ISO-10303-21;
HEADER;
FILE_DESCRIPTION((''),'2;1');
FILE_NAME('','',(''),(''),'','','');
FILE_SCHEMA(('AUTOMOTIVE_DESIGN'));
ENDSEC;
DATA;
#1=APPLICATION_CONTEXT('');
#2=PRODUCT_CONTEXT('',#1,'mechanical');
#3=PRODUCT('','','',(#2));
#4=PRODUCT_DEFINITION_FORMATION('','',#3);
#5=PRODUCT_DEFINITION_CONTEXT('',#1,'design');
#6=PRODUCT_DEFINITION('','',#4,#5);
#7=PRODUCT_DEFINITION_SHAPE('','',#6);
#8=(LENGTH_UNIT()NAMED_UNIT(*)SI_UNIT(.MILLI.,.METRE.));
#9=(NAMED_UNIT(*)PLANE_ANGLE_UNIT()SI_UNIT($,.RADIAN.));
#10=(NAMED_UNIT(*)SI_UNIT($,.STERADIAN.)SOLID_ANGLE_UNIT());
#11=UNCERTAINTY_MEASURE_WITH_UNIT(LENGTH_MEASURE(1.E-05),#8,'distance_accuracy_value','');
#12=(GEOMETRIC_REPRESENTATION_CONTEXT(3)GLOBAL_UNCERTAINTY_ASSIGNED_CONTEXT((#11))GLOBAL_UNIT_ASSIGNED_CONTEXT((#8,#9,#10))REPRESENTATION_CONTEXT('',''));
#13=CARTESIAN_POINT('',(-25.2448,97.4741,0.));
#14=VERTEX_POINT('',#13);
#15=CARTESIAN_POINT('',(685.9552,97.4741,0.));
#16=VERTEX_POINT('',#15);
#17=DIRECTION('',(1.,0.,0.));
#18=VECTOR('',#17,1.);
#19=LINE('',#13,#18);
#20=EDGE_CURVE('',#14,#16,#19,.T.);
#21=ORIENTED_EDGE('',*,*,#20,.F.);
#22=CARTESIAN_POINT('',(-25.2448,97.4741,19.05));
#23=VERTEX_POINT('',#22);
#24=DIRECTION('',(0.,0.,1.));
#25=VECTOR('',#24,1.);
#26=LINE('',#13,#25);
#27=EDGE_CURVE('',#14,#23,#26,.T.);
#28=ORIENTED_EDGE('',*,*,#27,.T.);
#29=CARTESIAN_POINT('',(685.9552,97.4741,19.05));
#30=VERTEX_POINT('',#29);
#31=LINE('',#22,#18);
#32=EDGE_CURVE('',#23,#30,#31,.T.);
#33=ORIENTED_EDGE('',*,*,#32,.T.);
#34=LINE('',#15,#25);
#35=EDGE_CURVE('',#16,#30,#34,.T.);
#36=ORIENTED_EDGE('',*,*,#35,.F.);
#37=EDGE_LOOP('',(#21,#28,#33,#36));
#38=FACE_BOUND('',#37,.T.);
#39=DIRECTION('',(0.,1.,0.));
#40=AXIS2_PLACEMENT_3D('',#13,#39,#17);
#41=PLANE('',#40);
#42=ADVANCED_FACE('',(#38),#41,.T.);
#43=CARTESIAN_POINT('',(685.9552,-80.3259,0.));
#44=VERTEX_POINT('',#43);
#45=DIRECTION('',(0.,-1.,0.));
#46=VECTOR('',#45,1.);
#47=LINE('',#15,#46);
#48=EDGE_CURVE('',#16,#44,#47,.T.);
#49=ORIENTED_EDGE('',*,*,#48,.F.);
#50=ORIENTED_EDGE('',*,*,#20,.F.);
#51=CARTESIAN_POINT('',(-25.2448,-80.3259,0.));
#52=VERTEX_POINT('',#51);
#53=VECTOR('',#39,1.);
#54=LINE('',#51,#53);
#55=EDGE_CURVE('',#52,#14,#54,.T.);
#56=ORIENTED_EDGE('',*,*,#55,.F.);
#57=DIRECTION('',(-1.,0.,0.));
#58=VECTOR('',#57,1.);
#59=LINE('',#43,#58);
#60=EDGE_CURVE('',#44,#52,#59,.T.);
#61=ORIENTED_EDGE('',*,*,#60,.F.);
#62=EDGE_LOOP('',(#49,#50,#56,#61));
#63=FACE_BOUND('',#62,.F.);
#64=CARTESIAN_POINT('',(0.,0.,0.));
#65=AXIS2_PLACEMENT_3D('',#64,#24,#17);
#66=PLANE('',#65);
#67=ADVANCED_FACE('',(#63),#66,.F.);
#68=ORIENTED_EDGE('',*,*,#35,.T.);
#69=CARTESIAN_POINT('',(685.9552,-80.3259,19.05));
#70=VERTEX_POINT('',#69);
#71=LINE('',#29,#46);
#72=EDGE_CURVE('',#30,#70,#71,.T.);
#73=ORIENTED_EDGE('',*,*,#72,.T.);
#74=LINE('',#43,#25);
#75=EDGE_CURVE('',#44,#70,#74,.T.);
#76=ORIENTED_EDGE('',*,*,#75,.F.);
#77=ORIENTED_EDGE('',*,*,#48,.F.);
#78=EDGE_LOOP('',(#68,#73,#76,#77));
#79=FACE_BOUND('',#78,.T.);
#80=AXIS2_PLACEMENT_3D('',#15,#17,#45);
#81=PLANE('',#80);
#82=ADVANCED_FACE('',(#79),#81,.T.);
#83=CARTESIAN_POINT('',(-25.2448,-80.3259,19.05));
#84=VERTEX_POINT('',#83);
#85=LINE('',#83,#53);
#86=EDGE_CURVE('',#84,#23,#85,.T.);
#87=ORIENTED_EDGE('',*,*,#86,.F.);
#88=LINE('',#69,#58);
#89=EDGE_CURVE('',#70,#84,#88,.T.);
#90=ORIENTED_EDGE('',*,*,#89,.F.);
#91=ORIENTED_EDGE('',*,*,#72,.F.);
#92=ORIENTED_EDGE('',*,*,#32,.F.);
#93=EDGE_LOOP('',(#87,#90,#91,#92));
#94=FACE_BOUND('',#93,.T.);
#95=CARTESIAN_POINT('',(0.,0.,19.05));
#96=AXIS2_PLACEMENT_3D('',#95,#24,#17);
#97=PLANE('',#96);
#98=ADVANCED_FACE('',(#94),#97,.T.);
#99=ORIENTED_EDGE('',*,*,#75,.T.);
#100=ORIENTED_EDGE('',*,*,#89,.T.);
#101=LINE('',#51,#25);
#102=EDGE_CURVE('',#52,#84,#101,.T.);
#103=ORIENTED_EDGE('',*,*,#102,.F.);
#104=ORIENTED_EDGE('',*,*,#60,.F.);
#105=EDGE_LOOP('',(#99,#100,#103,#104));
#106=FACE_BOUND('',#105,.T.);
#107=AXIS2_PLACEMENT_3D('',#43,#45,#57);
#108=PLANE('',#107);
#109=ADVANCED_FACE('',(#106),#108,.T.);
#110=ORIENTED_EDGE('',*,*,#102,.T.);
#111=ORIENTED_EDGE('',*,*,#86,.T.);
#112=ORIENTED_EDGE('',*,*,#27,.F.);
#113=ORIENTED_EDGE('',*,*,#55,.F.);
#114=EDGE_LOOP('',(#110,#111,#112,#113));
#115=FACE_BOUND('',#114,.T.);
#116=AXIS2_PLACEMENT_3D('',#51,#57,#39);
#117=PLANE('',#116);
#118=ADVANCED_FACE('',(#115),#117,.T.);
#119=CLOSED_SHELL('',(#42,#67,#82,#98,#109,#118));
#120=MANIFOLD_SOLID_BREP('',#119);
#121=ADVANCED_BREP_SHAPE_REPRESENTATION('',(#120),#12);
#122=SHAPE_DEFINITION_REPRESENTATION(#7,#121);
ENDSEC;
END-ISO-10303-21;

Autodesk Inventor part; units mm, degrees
ref_plane "YZ Plane" through (0, 0, 0) normal (1, 0, 0) x (0, 1, 0)
ref_plane "XZ Plane" through (0, 0, 0) normal (0, 1, 0) x (-1, 0, 0)
ref_plane "XY Plane" through (0, 0, 0) normal (0, 0, 1) x (1, 0, 0)
sketch "Sketch1" plane through (0, 0, 0) normal (0, 0, 1) x (1, 0, 0)
  line L0 (-25.2448, 97.4741) -> (685.9552, 97.4741)
  line L1 (685.9552, 97.4741) -> (685.9552, -80.3259)
  line L2 (685.9552, -80.3259) -> (-25.2448, -80.3259)
  line L3 (-25.2448, -80.3259) -> (-25.2448, 97.4741)
  point P0 (0, 0)
  dimension "d0" = 177.8
  dimension "d1" = 711.2
extrude "Extrusion1" add sketch "Sketch1" along normal blind 19.05
properties part number "back crossboard"
